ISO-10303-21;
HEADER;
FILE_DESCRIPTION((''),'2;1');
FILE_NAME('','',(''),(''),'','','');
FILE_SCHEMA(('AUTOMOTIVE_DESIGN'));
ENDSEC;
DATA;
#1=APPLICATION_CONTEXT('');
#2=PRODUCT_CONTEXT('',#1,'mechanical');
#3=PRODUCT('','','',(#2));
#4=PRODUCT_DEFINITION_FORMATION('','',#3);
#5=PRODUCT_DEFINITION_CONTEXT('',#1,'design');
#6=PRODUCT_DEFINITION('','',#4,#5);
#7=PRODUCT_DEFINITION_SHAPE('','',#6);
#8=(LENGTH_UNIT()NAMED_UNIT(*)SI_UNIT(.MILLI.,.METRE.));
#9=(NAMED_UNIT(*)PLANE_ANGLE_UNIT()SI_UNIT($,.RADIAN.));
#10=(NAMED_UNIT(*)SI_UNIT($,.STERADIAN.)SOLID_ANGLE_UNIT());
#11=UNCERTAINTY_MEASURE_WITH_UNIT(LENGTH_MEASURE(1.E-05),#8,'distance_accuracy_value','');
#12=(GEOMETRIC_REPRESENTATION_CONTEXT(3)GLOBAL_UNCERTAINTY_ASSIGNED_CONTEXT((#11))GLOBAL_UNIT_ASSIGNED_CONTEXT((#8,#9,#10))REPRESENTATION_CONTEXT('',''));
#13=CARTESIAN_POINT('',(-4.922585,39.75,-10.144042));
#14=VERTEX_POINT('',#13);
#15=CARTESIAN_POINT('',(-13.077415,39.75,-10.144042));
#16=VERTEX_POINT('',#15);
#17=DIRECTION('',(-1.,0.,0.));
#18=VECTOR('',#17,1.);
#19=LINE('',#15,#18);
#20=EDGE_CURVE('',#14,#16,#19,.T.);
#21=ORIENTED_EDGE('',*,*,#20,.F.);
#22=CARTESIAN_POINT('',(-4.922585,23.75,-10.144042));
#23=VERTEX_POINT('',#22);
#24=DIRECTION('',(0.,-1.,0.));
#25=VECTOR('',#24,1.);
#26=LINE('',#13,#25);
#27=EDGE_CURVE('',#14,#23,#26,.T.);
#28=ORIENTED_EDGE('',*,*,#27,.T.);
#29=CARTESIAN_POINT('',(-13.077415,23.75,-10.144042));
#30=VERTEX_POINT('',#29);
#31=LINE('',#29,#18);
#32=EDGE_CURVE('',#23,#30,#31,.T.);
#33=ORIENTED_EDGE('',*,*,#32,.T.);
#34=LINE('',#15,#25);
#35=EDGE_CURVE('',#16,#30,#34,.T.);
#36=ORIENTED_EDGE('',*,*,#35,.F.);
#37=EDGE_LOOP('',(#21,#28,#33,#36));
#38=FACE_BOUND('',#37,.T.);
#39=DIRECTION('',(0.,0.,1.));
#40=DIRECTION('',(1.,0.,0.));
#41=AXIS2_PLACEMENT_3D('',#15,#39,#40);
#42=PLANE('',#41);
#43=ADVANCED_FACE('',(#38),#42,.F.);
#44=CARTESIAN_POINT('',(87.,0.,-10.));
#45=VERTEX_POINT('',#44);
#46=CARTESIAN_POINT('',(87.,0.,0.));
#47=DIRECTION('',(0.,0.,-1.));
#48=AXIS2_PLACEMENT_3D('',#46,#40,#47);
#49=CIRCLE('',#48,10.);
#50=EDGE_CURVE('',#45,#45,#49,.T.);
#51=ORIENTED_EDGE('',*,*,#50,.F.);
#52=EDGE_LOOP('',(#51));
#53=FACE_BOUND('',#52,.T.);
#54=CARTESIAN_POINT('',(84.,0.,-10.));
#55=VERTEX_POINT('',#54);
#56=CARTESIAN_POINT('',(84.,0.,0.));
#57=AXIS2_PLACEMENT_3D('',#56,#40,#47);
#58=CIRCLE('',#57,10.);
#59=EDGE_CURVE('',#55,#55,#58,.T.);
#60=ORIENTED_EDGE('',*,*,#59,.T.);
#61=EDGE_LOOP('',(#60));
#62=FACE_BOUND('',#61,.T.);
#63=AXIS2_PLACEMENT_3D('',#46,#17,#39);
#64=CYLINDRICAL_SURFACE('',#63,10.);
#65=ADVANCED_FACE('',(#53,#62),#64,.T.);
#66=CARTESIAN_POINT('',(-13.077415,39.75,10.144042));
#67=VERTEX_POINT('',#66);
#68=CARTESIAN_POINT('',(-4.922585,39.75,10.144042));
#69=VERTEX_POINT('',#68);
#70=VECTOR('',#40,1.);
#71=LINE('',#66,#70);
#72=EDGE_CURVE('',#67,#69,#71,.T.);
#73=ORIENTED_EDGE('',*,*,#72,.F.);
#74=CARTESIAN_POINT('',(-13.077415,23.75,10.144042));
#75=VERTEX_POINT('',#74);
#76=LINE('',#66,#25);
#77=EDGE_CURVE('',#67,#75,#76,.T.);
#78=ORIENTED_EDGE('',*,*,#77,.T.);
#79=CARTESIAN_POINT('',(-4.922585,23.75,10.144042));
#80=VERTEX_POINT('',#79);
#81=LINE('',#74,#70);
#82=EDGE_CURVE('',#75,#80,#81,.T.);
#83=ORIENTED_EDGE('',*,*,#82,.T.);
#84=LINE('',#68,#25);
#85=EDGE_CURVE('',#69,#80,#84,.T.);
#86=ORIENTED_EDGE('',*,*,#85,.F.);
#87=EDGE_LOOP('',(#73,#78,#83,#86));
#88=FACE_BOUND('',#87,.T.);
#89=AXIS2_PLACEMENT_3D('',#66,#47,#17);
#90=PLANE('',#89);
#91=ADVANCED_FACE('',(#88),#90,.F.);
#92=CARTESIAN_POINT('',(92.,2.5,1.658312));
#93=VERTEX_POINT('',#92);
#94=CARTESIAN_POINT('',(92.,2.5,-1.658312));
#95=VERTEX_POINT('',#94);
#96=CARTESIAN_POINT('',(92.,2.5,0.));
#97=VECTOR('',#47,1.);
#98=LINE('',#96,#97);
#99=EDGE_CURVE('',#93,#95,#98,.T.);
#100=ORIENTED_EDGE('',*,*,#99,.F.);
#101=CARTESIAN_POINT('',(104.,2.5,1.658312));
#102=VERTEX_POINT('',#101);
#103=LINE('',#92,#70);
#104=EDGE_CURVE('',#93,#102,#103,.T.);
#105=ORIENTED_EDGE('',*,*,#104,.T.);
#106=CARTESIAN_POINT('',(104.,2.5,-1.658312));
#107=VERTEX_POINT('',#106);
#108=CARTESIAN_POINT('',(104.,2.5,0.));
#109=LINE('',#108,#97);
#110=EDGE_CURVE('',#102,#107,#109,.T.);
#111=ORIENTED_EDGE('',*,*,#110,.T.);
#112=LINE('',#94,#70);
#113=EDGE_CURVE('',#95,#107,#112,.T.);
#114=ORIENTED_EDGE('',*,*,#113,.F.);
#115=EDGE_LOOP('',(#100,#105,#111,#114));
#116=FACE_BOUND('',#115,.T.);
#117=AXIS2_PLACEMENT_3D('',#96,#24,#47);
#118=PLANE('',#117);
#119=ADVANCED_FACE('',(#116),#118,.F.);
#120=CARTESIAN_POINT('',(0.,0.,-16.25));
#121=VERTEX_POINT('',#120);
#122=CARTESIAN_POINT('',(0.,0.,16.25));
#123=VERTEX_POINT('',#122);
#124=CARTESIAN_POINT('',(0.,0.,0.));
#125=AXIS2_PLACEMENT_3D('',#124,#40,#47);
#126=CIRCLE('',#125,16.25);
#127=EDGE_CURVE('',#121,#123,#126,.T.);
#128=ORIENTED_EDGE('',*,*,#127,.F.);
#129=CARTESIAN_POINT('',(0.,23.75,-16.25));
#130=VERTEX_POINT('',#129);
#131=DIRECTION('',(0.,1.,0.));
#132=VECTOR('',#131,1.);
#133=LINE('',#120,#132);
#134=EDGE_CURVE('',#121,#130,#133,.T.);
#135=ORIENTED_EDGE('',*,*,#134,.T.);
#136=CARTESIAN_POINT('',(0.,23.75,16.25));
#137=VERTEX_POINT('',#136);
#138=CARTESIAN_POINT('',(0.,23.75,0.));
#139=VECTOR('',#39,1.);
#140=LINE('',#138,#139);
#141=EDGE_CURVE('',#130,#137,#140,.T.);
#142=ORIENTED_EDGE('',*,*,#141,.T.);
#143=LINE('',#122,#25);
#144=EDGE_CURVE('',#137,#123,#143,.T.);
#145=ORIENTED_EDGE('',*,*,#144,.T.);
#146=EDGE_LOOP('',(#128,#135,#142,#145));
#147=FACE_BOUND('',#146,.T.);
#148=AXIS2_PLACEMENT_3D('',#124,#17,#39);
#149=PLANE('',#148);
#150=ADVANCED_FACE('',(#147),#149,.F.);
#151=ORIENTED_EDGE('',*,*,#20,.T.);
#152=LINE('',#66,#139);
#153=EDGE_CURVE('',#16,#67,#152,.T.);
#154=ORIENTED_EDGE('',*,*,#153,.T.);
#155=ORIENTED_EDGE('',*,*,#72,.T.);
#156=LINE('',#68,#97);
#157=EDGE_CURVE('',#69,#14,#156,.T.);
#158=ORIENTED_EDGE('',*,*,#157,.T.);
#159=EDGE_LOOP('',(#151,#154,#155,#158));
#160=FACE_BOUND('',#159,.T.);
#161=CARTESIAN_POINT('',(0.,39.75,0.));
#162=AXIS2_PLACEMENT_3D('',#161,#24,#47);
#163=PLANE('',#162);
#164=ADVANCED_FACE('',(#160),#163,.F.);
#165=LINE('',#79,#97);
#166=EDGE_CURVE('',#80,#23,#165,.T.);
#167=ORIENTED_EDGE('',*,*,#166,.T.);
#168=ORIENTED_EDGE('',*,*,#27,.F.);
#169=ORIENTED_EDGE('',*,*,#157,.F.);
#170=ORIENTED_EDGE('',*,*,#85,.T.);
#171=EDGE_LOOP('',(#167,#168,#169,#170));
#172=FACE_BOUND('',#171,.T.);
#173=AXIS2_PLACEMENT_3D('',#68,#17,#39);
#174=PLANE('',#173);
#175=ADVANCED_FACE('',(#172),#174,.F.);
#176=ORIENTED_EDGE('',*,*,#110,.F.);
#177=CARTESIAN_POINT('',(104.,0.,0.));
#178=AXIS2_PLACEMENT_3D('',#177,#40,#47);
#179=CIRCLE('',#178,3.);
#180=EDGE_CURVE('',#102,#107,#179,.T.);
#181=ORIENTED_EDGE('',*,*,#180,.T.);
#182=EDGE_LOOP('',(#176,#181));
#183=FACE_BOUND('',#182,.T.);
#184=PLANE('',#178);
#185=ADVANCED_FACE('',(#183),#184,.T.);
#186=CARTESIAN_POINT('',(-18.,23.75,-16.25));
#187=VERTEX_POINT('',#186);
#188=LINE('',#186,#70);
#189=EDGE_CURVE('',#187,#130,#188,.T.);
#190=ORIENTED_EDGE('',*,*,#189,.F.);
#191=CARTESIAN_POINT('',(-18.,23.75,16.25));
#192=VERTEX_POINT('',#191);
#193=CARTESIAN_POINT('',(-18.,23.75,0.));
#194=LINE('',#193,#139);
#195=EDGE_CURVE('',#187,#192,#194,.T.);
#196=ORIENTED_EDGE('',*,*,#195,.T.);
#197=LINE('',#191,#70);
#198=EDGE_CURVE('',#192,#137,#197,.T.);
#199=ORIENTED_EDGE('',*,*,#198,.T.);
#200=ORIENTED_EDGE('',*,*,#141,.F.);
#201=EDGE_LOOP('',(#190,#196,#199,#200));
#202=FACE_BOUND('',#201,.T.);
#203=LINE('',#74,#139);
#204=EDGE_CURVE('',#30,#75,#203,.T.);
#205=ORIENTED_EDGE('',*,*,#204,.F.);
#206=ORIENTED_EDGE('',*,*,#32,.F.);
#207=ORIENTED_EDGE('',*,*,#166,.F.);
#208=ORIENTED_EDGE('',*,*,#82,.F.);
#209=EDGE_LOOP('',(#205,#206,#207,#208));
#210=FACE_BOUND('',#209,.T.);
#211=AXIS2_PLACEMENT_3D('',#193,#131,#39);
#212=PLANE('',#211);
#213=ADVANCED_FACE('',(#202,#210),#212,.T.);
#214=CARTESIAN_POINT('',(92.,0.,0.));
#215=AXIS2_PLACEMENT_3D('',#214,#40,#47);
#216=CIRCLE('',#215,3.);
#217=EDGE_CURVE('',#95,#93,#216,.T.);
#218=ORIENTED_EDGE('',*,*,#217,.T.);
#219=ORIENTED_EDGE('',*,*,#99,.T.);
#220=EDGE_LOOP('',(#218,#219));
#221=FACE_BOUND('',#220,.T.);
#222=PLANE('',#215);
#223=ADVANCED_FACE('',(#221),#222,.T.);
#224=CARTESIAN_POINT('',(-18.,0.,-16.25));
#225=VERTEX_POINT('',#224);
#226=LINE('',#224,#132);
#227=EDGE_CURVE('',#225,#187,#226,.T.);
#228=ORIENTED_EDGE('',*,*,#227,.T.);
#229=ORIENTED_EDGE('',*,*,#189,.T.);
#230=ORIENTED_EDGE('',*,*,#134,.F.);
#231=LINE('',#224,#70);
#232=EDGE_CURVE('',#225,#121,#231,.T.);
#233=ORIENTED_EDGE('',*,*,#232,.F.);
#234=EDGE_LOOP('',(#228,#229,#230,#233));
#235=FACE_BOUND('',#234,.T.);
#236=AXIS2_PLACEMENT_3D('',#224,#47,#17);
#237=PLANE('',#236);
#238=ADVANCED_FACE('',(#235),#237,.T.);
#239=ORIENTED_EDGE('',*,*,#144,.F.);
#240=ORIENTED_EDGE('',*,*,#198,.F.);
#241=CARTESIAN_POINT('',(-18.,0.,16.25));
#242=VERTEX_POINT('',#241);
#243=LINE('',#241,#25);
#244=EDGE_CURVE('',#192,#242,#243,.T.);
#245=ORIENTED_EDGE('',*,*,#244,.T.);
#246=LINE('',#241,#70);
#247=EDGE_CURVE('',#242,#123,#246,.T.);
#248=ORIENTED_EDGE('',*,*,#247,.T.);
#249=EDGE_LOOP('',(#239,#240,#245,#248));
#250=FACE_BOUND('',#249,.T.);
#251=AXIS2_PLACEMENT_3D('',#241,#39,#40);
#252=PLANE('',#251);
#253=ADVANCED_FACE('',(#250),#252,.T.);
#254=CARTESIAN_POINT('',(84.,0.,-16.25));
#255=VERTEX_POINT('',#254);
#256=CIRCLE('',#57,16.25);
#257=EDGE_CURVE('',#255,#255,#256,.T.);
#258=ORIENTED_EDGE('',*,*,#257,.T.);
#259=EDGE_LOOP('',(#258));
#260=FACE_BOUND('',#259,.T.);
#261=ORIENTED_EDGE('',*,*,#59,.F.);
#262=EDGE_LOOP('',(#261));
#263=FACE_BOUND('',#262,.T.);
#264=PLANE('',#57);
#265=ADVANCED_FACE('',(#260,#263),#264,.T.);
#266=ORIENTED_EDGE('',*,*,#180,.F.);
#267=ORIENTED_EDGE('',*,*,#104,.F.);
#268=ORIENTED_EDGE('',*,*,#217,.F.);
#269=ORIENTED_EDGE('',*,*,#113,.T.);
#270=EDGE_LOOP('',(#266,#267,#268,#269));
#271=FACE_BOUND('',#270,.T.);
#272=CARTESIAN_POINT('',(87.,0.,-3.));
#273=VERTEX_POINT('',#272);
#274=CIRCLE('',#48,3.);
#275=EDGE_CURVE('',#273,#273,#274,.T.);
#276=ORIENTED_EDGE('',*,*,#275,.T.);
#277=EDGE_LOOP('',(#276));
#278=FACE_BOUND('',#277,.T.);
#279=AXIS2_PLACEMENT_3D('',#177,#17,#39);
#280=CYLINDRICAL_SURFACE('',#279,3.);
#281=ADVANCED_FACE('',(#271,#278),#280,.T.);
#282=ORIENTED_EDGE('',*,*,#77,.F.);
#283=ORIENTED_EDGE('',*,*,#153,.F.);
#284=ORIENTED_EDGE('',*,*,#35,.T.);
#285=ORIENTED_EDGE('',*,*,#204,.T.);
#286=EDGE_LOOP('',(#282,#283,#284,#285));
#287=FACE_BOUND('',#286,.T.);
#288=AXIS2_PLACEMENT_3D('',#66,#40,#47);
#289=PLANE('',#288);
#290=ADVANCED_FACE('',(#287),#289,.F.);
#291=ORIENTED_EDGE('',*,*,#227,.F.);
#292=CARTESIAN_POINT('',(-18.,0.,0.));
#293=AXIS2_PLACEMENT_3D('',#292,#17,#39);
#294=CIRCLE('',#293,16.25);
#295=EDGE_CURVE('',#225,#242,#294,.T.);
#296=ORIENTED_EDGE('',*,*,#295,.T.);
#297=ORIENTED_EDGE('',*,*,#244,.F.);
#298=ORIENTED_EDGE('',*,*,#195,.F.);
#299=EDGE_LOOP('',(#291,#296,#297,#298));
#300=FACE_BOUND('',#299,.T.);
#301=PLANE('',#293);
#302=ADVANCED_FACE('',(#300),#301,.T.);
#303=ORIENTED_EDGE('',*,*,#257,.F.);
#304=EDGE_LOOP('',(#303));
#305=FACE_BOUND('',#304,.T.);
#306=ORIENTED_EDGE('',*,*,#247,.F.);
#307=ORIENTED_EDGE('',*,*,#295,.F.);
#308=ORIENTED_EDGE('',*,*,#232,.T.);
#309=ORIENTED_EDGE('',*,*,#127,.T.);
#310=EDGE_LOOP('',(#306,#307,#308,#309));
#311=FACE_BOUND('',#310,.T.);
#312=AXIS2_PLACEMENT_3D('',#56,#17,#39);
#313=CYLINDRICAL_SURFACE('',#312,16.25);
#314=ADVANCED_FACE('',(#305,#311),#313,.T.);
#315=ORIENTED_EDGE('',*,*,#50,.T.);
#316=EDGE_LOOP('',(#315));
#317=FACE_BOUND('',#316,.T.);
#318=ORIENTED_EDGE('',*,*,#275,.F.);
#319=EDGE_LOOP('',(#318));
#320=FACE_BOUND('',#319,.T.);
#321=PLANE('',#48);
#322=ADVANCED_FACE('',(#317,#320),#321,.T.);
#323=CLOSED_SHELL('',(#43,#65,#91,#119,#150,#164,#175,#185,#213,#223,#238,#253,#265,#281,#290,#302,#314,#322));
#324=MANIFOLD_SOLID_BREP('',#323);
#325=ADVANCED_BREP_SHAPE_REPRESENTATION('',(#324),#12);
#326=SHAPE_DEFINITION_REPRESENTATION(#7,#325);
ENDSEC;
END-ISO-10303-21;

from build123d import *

# Parameters (mm, degrees)
SKETCH1_R           = 16.25
BOSS_EXTRUDE1_DEPTH = 84
SKETCH2_R           = 10
BOSS_EXTRUDE2_DEPTH = 3
SKETCH3_R           = 3
BOSS_EXTRUDE3_DEPTH = 17
CUT_EXTRUDE1_DEPTH  = 12
SKETCH5_R           = 16.25
BOSS_EXTRUDE4_DEPTH = 18
SKETCH6_W           = 8.15482979
SKETCH6_H           = 20.288083416
BOSS_EXTRUDE5_DEPTH = 16


with BuildPart() as part:
    # Sketch1 → Boss-Extrude1 (new body)
    with BuildSketch(Plane(origin=(0, 0, 0), x_dir=(0, 0, -1), z_dir=(1, 0, 0))):
        Circle(SKETCH1_R)
    extrude(amount=BOSS_EXTRUDE1_DEPTH)

    # Sketch2 → Boss-Extrude2 (add)
    with BuildSketch(Plane(origin=(84, 0, 0), x_dir=(0, 0, -1), z_dir=(1, 0, 0))):
        Circle(SKETCH2_R)
    extrude(amount=BOSS_EXTRUDE2_DEPTH)

    # Sketch3 → Boss-Extrude3 (add)
    with BuildSketch(Plane(origin=(87, 0, 0), x_dir=(0, 0, -1), z_dir=(1, 0, 0))):
        Circle(SKETCH3_R)
    extrude(amount=BOSS_EXTRUDE3_DEPTH)

    # Sketch4 → Cut-Extrude1 (cut)
    with BuildSketch(Plane(origin=(104, 0, 0), x_dir=(0, 0, -1), z_dir=(1, 0, 0))):
        Polygon((-63.514658307, 2.5), (-1.658312395, 2.5), (1.658312395, 2.5), (63.514658307, 2.5), (63.514658307, 126.212691825), (-63.514658307, 126.212691825), align=None)
    extrude(amount=-CUT_EXTRUDE1_DEPTH, mode=Mode.SUBTRACT)

    # Sketch5 → Boss-Extrude4 (add)
    with BuildSketch(Plane.ZY):
        Circle(SKETCH5_R)
        with BuildLine():
            Line((-16.25, 23.75), (-16.25, 0))
            ThreePointArc((-16.25, 0), (0, 16.25), (16.25, 0))
            Line((16.25, 0), (16.25, 23.75))
            Line((16.25, 23.75), (-16.25, 23.75))
        make_face()
    extrude(amount=BOSS_EXTRUDE4_DEPTH)

    # Sketch6 → Boss-Extrude5 (add)
    with BuildSketch(Plane(origin=(0, 23.75, 0), x_dir=(1, 0, 0), z_dir=(0, 1, 0))):
        with Locations((-9, 0)):
            Rectangle(SKETCH6_W, SKETCH6_H)
    extrude(amount=BOSS_EXTRUDE5_DEPTH)


solid = part.part
